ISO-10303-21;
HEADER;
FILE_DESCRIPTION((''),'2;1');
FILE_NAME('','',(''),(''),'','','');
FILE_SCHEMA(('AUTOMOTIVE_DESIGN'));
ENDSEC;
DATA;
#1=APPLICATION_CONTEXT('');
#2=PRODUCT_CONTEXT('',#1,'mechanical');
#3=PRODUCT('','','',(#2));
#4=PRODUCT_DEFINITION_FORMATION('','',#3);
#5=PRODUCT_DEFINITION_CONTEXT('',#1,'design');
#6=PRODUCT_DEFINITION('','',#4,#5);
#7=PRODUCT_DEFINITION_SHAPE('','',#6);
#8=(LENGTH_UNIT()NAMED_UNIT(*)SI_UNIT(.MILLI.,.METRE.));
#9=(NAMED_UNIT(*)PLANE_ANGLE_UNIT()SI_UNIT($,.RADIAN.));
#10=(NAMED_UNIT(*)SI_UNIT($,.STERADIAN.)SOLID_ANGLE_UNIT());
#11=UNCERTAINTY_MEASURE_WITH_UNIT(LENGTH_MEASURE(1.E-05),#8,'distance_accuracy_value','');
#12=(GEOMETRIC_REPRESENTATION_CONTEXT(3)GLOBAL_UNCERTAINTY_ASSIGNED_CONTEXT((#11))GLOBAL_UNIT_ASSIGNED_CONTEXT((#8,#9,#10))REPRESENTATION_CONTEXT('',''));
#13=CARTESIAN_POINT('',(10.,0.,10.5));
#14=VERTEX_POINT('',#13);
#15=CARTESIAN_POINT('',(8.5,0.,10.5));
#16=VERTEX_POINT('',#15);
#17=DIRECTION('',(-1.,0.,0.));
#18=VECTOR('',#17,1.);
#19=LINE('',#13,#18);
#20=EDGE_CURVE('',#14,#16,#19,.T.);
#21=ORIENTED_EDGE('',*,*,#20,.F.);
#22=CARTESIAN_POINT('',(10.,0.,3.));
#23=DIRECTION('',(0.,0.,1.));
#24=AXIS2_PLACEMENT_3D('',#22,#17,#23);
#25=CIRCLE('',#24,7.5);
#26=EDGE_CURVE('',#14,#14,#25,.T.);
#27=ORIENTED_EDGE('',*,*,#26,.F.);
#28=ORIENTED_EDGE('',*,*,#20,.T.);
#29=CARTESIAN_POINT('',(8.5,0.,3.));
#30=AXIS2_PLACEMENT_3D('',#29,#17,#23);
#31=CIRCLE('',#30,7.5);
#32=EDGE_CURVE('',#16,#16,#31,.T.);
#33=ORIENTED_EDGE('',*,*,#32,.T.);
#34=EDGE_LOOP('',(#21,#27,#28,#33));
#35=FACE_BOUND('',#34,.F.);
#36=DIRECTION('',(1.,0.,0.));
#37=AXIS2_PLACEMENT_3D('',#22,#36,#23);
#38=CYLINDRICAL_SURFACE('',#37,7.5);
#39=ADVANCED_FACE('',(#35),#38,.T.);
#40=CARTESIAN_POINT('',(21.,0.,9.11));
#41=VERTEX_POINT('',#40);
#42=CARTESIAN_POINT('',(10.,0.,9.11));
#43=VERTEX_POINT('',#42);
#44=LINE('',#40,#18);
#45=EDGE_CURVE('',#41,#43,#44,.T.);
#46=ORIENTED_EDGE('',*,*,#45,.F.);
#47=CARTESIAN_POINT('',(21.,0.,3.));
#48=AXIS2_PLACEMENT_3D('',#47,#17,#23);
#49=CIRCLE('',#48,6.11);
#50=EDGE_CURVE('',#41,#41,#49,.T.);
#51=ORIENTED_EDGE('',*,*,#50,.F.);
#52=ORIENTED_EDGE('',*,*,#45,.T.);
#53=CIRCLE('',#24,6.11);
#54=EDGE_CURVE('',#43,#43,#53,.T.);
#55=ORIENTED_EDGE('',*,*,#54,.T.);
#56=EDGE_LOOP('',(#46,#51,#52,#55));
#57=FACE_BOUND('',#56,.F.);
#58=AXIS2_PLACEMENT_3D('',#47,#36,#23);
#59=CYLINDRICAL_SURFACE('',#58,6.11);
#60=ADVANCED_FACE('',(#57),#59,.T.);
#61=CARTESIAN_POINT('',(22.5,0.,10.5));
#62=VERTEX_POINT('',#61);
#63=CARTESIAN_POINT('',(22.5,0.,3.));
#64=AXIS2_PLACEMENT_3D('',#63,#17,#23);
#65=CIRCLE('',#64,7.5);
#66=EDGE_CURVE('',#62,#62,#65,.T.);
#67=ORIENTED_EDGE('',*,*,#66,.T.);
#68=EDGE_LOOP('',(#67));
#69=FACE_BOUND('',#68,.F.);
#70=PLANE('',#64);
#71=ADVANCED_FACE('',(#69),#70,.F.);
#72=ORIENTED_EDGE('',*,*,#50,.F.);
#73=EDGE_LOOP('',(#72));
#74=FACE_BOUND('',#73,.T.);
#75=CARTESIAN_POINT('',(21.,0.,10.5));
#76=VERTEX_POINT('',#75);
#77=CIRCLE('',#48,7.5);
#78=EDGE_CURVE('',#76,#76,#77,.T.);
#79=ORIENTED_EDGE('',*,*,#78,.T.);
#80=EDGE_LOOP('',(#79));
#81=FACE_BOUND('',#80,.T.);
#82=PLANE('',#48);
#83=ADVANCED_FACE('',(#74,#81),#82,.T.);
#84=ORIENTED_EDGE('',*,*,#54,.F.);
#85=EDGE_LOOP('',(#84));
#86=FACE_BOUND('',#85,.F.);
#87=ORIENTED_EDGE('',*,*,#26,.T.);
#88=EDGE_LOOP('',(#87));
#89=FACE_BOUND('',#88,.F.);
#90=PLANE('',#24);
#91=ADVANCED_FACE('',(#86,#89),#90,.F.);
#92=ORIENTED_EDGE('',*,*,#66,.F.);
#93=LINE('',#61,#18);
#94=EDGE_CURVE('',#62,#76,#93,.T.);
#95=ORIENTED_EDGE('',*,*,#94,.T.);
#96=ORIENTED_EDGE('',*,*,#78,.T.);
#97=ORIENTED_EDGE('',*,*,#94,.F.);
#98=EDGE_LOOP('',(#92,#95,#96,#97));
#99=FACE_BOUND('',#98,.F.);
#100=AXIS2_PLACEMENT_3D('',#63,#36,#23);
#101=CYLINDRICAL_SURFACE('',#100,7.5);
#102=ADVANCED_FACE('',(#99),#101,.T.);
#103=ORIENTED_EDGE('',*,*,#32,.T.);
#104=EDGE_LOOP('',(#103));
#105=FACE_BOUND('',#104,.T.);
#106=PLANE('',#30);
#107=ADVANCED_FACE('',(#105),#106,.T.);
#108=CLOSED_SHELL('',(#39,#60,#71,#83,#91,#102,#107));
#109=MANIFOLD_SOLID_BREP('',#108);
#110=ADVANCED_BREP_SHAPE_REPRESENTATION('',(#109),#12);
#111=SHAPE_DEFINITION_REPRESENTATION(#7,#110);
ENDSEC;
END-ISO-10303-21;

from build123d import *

# Parameters (mm, degrees)
CYLINDER012_R     = 7.5
CYLINDER012_DEPTH = 1.5
CYLINDER011_R     = 6.11
CYLINDER011_DEPTH = 11
CYLINDER013_R     = 7.5
CYLINDER013_DEPTH = 1.5


with BuildPart() as cylinder012:
    # Cylinder012 → Cylinder012 (new body)
    with BuildSketch(Plane.ZY.offset(5.5)):
        Circle(CYLINDER012_R)
    extrude(amount=CYLINDER012_DEPTH)


with BuildPart() as cylinder011:
    # Cylinder011 → Cylinder011 (new body)
    with BuildSketch(Plane.ZY.offset(-5.5)):
        Circle(CYLINDER011_R)
    extrude(amount=CYLINDER011_DEPTH)


with BuildPart() as f_20t_9mm_pulley:
    # Cylinder013 → Cylinder013 (new body)
    with BuildSketch(Plane.ZY.offset(-7)):
        Circle(CYLINDER013_R)
    extrude(amount=CYLINDER013_DEPTH)

    # Fusion013005011003: union Cylinder012, Cylinder011
    add(cylinder012.part)
    add(cylinder011.part)


with BuildPart() as f_20t_9mm_pulley_1:
    # Fusion013005011003 placement: moved
    add(f_20t_9mm_pulley.part.moved(Location((15.5, 0, 3))))


solid = f_20t_9mm_pulley_1.part
